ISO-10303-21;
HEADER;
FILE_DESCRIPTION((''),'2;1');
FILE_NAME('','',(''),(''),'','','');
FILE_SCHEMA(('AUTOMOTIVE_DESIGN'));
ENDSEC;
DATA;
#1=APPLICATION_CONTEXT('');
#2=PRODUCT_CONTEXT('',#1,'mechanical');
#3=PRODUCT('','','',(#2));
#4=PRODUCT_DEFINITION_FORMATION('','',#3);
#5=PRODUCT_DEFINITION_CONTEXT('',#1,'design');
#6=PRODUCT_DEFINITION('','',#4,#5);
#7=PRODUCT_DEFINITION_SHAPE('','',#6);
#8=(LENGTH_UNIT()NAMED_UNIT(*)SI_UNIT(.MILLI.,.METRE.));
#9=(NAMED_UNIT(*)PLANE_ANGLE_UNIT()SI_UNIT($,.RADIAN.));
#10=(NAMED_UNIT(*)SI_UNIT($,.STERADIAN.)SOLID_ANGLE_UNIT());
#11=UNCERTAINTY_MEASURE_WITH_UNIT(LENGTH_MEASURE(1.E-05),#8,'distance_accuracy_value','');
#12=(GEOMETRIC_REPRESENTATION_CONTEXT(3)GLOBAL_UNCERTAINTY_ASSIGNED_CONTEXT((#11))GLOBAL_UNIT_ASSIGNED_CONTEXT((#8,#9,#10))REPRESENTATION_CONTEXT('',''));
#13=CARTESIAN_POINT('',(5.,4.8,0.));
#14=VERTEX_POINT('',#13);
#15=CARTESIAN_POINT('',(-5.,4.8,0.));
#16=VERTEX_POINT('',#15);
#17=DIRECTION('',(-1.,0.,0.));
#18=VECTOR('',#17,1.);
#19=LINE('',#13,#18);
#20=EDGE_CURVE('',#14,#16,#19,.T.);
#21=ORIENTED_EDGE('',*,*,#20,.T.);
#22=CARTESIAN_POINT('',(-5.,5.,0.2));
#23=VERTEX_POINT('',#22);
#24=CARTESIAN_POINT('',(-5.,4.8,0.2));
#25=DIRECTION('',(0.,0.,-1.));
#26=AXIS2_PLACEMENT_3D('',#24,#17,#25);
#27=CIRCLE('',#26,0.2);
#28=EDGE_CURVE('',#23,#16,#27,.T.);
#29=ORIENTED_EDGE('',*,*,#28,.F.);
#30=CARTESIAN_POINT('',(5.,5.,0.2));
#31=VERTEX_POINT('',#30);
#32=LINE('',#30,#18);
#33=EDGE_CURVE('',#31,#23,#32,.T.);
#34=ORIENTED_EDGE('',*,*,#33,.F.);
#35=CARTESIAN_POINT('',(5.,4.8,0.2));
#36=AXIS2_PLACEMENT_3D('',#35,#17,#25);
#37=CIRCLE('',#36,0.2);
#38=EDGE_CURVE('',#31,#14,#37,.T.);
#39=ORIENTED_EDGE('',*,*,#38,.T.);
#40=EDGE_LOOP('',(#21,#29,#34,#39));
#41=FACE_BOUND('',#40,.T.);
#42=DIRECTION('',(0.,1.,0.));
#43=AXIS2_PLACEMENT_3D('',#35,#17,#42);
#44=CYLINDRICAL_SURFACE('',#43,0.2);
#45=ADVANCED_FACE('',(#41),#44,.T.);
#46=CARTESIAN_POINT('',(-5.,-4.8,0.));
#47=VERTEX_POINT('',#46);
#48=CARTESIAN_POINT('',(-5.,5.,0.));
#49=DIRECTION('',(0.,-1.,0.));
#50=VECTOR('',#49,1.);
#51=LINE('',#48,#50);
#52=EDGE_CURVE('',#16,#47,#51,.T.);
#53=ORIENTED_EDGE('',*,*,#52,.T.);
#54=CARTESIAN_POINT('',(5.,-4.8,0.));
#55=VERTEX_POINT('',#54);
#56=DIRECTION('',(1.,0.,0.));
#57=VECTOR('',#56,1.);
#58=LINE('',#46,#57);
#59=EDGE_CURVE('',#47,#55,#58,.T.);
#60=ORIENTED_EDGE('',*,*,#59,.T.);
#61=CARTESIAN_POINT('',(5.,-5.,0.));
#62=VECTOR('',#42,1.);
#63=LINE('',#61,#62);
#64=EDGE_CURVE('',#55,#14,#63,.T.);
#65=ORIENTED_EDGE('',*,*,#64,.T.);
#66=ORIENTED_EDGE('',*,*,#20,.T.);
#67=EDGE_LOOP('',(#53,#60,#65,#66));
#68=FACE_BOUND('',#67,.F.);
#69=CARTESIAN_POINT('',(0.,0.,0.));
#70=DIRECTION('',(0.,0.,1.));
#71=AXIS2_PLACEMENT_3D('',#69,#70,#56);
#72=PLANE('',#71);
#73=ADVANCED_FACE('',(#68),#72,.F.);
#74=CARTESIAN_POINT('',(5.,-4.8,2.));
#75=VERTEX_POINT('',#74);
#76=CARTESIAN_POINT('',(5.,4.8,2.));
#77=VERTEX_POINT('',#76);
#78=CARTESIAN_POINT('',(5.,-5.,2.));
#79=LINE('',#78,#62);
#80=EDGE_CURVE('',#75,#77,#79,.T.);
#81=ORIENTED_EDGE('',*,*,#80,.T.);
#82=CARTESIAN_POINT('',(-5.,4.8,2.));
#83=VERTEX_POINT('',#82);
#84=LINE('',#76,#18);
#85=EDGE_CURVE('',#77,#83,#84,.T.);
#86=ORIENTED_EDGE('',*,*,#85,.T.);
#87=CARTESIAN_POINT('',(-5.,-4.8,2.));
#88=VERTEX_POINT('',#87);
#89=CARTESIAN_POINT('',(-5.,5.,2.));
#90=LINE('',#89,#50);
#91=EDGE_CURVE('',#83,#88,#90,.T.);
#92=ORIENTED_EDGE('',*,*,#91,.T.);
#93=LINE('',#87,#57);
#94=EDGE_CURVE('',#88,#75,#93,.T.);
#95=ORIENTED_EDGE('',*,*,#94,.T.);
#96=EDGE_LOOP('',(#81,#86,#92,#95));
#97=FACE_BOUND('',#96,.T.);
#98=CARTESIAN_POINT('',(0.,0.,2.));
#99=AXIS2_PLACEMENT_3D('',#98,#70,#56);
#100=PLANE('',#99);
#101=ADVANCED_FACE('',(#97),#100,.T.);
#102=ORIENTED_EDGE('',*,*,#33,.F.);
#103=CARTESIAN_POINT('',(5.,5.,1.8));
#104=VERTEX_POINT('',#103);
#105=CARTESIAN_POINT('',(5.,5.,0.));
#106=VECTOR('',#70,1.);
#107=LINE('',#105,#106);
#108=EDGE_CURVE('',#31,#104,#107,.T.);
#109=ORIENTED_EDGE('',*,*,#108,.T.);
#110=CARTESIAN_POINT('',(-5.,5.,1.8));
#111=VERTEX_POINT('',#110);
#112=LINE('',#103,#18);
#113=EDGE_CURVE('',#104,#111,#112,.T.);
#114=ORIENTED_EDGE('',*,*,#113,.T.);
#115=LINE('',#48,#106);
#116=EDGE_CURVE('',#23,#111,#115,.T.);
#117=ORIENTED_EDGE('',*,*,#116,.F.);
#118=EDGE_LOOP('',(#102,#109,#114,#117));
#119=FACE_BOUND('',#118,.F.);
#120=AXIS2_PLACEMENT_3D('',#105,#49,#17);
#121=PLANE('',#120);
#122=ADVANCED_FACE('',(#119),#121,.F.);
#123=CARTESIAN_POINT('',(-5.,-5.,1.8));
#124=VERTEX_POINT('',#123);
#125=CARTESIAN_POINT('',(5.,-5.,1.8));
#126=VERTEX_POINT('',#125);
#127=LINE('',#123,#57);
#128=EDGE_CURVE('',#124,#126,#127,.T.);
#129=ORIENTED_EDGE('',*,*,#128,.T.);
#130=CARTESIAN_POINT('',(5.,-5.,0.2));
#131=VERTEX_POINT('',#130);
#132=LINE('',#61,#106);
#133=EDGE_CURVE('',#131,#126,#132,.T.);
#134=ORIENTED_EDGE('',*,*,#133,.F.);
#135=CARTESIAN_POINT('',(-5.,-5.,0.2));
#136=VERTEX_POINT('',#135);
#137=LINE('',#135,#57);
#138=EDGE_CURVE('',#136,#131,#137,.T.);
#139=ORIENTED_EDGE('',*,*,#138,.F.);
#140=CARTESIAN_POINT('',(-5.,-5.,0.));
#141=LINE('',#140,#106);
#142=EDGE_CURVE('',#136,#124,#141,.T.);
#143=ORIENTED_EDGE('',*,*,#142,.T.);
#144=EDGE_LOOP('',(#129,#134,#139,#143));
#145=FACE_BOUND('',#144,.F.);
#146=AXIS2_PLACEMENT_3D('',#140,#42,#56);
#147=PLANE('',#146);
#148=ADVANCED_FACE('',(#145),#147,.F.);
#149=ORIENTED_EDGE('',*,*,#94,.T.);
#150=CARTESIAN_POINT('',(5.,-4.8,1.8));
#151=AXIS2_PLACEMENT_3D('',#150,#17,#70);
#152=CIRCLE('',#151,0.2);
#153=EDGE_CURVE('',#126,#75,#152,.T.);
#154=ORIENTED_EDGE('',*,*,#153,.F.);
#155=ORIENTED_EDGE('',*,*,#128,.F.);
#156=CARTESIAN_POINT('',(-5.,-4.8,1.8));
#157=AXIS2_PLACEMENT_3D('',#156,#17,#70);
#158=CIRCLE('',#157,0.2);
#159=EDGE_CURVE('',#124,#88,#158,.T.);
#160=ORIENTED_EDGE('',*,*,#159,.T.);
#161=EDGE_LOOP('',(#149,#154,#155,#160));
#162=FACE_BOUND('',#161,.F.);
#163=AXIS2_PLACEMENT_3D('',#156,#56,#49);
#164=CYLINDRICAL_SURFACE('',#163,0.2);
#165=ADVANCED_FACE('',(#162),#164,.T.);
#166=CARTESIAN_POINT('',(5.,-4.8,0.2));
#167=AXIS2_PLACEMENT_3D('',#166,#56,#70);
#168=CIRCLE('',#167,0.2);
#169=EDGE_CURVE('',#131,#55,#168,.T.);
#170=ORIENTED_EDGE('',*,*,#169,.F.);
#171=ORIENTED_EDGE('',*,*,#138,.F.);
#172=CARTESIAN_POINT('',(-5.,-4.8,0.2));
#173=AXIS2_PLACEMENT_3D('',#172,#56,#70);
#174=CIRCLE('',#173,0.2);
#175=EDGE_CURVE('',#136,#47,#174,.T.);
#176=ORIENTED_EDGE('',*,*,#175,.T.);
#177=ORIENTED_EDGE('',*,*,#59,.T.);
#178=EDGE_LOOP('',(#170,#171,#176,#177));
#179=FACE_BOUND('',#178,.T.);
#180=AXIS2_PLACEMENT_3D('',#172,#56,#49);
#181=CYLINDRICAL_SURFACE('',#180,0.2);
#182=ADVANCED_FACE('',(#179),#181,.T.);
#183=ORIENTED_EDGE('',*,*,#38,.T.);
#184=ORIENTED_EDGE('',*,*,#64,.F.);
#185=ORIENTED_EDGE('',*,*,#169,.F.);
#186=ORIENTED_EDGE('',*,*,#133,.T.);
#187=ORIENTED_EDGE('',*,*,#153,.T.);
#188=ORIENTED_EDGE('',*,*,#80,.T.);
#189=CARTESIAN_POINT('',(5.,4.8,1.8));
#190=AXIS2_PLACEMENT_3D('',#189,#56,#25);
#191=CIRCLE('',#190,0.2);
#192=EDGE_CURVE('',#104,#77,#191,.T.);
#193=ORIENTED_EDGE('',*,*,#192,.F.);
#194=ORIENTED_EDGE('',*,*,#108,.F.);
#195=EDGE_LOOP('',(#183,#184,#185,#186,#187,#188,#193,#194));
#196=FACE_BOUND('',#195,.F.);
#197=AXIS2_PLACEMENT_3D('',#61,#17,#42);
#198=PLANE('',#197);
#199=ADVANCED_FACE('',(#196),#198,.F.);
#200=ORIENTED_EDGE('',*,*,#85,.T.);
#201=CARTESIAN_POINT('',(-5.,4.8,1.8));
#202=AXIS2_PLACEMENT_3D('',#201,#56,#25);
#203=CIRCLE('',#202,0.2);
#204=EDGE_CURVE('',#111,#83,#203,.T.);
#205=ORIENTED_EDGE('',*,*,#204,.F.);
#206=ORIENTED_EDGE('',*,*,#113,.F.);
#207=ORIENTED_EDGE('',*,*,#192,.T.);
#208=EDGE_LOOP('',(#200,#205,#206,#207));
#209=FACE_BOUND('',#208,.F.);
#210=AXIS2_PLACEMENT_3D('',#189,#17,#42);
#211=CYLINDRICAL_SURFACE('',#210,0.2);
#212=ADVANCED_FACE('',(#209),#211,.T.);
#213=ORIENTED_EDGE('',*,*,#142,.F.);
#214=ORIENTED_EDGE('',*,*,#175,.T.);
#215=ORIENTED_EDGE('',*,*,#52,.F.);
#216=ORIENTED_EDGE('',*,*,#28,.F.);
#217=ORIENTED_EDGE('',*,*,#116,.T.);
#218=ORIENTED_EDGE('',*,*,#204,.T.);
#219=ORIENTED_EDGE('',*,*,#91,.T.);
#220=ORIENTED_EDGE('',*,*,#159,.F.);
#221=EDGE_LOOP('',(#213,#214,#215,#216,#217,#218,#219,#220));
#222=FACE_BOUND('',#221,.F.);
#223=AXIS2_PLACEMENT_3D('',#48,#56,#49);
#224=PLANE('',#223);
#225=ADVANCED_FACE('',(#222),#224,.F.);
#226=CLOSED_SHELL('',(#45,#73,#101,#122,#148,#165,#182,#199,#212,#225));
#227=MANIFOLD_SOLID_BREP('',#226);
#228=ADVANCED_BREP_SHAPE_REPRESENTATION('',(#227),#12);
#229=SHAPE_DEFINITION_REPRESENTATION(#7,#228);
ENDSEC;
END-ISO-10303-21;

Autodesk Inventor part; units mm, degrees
ref_plane "YZ Plane" through (0, 0, 0) normal (1, 0, 0) x (0, 1, 0)
ref_plane "XZ Plane" through (0, 0, 0) normal (0, 1, 0) x (-1, 0, 0)
ref_plane "XY Plane" through (0, 0, 0) normal (0, 0, 1) x (1, 0, 0)
sketch "Sketch1" plane through (0, 0, 0) normal (0, 0, 1) x (1, 0, 0)
  line L0 (-5, 5) -> (-5, -5)
  line L1 (-5, -5) -> (5, -5)
  line L2 (5, -5) -> (5, 5)
  line L3 (5, 5) -> (-5, 5)
  line L4 (-5, 5) -> (5, -5) construction
  line L5 (-5, -5) -> (5, 5) construction
  point P0 (0, 0)
  dimension "d0" = 10
  dimension "d1" = 10
extrude "Extrusion1" add sketch "Sketch1" along normal blind 2
fillet "Fillet1" radius 0.2 4 edges at (0, 5, 0) (0, 5, 2) (0, -5, 0) (0, -5, 2)
properties part number "magnet_10_10_2"
